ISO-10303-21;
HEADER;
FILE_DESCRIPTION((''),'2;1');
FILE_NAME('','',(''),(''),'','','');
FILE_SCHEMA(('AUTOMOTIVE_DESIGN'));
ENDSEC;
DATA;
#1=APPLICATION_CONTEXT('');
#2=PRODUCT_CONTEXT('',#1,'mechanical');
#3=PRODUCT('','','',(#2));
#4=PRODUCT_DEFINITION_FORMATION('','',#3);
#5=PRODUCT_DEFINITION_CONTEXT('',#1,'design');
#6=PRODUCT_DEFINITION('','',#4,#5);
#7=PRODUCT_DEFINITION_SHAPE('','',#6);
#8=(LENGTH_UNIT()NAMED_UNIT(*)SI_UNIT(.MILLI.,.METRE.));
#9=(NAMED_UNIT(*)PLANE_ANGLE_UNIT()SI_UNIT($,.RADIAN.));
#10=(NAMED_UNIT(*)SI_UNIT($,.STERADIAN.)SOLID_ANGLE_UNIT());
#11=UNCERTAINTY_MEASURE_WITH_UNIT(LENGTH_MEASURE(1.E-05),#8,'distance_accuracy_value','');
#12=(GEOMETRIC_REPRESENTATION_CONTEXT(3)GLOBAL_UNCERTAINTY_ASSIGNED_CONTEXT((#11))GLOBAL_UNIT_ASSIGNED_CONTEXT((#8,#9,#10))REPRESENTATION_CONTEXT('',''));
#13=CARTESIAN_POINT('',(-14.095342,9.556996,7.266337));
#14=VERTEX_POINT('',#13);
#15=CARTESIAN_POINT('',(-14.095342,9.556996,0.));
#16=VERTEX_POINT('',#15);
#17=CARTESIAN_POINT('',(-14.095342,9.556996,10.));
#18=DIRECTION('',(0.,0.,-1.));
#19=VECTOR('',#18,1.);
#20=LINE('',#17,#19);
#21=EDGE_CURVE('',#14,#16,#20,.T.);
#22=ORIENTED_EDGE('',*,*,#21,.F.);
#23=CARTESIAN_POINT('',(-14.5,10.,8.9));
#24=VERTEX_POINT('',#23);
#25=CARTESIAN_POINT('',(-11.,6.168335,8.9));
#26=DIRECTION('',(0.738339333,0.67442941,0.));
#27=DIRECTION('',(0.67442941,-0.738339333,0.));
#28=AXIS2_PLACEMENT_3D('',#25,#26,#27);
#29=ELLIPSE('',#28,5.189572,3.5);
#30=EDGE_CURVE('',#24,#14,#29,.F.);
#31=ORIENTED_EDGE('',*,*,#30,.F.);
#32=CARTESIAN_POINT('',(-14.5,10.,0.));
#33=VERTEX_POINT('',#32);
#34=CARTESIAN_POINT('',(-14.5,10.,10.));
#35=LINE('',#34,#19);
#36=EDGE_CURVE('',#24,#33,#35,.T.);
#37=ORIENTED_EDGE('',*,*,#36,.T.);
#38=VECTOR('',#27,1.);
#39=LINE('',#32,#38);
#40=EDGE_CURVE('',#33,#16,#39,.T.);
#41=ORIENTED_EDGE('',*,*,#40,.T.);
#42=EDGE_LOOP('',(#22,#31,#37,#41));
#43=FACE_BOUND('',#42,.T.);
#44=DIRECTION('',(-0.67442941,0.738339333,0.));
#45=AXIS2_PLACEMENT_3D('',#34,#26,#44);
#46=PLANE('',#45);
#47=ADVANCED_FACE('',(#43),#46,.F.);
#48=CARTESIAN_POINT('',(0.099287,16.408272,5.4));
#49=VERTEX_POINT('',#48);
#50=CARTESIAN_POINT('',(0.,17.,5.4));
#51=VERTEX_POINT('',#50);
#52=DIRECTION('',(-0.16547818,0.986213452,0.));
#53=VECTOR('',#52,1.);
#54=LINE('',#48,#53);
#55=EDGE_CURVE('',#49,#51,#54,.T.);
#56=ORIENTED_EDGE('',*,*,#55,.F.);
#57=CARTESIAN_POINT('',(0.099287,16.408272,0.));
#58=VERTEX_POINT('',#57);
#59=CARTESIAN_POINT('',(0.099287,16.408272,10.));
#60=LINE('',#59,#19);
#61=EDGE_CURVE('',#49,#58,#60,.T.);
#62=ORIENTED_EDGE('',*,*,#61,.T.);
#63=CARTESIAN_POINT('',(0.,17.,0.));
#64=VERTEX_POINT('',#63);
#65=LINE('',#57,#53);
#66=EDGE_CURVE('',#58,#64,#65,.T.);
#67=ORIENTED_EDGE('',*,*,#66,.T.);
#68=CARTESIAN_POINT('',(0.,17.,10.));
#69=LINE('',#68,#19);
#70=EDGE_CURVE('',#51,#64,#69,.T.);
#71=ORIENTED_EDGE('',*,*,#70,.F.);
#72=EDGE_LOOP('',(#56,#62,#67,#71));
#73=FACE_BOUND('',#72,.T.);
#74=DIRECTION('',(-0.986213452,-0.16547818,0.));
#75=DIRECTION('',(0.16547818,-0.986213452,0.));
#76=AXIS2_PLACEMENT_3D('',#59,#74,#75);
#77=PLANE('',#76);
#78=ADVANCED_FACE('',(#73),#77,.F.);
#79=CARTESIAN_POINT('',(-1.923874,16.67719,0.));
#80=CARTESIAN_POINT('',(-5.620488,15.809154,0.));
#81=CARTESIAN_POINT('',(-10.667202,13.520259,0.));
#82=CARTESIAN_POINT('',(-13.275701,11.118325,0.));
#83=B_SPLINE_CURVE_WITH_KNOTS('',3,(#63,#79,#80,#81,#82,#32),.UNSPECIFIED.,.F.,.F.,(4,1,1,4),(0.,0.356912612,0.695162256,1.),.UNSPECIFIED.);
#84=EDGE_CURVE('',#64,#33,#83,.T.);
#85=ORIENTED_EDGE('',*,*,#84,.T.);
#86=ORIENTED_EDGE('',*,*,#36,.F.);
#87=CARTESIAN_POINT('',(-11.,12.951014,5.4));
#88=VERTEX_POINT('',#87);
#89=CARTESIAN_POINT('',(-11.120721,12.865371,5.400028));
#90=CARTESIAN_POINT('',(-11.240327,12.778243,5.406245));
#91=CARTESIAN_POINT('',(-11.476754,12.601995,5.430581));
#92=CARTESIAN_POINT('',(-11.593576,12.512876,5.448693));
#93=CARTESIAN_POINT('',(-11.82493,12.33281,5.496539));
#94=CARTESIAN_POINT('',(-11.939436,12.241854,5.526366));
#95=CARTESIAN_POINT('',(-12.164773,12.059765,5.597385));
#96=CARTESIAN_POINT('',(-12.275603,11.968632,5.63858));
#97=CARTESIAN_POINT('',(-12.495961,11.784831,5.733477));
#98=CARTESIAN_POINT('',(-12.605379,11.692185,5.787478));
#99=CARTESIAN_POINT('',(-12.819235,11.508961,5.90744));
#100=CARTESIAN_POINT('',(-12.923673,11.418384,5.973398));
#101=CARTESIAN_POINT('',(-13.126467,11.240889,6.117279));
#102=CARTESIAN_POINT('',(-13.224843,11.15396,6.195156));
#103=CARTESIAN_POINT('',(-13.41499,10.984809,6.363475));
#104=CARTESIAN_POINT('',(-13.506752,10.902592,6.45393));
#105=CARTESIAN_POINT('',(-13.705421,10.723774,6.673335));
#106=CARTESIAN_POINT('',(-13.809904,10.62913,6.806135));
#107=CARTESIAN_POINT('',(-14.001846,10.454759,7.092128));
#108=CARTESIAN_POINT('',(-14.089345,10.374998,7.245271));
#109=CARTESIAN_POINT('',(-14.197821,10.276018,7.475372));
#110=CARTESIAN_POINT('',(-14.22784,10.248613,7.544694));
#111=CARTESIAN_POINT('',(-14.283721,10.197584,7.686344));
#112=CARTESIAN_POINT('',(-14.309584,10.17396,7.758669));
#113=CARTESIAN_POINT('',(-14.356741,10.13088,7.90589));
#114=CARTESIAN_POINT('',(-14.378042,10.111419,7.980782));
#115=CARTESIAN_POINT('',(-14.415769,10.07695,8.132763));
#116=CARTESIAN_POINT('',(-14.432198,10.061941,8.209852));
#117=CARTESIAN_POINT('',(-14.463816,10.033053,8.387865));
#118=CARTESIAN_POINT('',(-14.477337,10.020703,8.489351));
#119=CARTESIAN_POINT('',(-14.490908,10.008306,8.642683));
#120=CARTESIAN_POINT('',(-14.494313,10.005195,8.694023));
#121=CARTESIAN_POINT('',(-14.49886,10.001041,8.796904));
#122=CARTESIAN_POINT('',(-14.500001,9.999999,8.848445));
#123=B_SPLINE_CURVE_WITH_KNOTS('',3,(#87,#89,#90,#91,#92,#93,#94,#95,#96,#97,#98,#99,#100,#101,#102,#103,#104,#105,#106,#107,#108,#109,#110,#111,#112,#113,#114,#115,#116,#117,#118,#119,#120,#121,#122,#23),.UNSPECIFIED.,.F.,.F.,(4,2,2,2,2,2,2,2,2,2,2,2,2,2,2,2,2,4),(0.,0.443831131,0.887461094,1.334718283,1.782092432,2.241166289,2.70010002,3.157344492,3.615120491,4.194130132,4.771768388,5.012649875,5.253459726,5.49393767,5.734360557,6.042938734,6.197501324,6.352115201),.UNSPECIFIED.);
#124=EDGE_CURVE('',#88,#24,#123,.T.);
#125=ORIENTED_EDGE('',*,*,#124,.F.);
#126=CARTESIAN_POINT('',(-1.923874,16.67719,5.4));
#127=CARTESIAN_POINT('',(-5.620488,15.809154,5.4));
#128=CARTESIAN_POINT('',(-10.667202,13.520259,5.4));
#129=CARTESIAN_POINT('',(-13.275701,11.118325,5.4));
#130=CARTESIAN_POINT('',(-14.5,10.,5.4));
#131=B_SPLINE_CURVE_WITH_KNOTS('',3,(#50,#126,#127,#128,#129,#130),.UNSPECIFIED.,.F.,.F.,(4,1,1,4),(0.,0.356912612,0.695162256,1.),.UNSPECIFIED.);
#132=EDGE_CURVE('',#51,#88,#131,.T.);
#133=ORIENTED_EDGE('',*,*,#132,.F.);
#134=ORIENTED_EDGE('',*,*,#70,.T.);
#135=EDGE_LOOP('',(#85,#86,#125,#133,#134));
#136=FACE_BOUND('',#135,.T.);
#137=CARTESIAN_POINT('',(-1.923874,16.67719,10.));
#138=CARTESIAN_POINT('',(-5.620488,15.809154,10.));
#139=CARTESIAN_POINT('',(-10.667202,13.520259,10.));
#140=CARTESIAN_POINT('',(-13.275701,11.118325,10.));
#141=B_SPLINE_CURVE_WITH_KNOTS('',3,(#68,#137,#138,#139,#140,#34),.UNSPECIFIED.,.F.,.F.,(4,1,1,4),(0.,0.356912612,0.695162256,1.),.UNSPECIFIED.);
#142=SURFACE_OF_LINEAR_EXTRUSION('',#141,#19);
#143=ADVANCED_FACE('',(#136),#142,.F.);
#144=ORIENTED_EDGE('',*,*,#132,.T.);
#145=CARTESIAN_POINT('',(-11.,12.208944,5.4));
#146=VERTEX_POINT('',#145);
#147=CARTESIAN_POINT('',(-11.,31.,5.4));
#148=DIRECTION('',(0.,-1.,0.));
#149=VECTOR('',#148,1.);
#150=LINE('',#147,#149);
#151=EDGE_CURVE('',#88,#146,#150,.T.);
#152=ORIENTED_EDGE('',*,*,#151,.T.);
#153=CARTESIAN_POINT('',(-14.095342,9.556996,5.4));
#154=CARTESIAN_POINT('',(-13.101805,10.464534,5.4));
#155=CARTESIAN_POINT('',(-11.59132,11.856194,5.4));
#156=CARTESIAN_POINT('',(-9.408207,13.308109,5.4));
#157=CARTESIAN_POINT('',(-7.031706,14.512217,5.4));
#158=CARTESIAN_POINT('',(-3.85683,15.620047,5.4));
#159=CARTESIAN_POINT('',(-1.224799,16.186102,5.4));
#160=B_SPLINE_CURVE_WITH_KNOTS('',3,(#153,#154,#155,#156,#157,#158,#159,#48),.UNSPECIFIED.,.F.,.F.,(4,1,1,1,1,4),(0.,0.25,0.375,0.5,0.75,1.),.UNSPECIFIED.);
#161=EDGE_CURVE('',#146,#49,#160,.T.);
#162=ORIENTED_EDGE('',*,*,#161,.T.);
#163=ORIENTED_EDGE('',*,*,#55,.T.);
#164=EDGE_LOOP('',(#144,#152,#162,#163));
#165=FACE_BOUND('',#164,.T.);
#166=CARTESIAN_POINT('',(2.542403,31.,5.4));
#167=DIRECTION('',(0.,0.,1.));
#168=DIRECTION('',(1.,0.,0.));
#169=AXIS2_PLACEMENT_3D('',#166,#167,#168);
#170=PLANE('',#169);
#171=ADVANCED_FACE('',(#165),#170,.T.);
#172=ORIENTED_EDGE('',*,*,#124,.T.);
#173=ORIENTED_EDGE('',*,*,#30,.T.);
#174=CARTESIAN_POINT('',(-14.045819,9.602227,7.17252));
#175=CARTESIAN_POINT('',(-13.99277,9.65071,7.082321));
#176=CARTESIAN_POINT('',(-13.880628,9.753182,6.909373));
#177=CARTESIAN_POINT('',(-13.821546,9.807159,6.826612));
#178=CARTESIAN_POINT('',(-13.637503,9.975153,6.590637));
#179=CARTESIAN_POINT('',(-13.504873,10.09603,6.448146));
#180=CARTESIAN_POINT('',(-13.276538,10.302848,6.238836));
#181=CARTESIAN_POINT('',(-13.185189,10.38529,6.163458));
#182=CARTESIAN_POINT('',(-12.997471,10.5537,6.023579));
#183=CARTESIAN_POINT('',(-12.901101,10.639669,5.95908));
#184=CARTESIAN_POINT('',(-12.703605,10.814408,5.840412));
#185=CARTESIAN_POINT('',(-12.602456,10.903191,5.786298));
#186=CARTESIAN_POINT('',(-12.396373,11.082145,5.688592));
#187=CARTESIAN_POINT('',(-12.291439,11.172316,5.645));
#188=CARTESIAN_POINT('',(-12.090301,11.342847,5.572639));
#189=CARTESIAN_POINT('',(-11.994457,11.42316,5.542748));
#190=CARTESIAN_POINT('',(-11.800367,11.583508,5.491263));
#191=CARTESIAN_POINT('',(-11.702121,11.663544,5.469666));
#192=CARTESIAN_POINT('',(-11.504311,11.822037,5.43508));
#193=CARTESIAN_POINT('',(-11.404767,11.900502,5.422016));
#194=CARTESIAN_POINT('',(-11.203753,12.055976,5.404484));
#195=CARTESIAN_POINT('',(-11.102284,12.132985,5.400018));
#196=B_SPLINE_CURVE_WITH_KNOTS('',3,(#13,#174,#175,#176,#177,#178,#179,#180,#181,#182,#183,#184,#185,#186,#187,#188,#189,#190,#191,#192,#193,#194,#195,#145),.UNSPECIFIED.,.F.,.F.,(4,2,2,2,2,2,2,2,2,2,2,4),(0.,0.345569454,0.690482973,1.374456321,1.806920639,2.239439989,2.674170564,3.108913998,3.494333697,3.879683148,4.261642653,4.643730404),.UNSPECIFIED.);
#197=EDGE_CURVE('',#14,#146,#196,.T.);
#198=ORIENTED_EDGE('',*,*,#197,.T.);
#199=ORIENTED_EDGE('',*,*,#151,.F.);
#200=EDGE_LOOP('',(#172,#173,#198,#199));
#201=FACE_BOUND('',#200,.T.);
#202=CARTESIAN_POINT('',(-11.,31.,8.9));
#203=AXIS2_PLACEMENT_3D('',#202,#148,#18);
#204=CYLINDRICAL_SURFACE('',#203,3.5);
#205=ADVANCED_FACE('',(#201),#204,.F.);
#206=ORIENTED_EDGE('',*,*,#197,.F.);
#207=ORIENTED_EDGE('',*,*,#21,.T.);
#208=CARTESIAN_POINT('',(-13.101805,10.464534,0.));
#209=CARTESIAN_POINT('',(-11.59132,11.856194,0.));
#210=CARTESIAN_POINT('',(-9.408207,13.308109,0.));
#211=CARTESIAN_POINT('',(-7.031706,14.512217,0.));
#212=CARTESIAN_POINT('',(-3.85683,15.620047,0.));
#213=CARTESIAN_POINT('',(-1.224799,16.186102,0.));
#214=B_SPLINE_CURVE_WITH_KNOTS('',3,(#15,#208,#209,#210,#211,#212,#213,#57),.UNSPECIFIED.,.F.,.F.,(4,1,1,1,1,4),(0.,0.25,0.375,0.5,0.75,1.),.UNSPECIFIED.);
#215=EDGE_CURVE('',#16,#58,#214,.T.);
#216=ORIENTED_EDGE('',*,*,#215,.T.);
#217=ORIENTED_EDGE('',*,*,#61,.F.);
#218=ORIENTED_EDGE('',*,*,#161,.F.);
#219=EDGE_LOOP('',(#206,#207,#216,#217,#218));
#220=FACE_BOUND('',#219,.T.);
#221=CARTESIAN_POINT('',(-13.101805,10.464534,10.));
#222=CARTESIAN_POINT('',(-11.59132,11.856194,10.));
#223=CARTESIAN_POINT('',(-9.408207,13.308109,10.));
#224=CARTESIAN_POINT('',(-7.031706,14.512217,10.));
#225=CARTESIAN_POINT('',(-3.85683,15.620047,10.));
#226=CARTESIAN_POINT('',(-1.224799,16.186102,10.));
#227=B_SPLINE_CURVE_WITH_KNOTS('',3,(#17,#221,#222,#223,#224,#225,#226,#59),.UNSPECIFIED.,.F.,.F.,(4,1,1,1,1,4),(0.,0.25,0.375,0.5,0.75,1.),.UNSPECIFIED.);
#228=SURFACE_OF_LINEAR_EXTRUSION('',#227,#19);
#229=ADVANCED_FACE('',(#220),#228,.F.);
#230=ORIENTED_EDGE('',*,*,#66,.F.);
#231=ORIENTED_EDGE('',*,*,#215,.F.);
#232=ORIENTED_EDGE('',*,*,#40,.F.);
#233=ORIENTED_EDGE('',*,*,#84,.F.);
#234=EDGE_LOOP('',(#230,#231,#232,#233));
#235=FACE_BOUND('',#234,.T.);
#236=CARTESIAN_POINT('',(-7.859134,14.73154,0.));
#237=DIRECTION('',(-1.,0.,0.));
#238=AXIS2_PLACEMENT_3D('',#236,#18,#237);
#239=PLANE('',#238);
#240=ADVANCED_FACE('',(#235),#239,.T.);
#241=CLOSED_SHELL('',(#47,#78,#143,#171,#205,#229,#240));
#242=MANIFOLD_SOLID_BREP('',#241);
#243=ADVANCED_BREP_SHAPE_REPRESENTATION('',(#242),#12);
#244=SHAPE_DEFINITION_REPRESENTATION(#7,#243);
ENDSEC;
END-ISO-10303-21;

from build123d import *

# Parameters (mm, degrees)
EXTRUDE_1_DEPTH     = 10
CUT_EXTRUDE_1_DEPTH = 31


with BuildPart() as part:
    # 草图1 → 凸台-拉伸1 (new body)
    with BuildSketch(Plane.XY):
        with BuildLine():
            Line((0.099286908, 16.408271929), (0, 17))
            add(Edge.make_bspline(
                [(-14.5, 10), (-13.275700684, 11.118325177), (-10.667201811, 13.52025873), (-5.620487725, 15.809154008), (-1.923873666, 16.677190458), (0, 17)],
                knots=[0, 0, 0, 0, 0.304837744, 0.643087388, 1, 1, 1, 1], degree=3))
            Line((-14.5, 10), (-14.095342354, 9.5569964))
            add(Edge.make_bspline(
                [(-14.095342354, 9.5569964), (-13.101804871, 10.464534261), (-11.5913204, 11.856193918), (-9.408207232, 13.308108948), (-7.031706102, 14.512216909), (-3.856829789, 15.620046614), (-1.224798532, 16.18610172), (0.099286908, 16.408271929)],
                knots=[0, 0, 0, 0, 0.25, 0.375, 0.5, 0.75, 1, 1, 1, 1], degree=3))
        make_face()
    extrude(amount=EXTRUDE_1_DEPTH)

    # 草图2 → 切除-拉伸1 (cut)
    with BuildSketch(Plane(origin=(0, 0, 0), x_dir=(1, 0, 0), z_dir=(0, 1, 0))):
        with BuildLine():
            Line((2.542403036, -5.4), (-11, -5.4))
            ThreePointArc((-11, -5.4), (-13.474873734, -6.425126266), (-14.5, -8.9))
            Line((-14.5, -8.9), (-14.5, -10))
            Line((-14.5, -10), (-14.5, -12.270940409))
            Line((-14.5, -12.270940409), (2.542403036, -12.270940409))
            Line((2.542403036, -12.270940409), (2.542403036, -5.4))
        make_face()
    extrude(amount=CUT_EXTRUDE_1_DEPTH, mode=Mode.SUBTRACT)


solid = part.part
